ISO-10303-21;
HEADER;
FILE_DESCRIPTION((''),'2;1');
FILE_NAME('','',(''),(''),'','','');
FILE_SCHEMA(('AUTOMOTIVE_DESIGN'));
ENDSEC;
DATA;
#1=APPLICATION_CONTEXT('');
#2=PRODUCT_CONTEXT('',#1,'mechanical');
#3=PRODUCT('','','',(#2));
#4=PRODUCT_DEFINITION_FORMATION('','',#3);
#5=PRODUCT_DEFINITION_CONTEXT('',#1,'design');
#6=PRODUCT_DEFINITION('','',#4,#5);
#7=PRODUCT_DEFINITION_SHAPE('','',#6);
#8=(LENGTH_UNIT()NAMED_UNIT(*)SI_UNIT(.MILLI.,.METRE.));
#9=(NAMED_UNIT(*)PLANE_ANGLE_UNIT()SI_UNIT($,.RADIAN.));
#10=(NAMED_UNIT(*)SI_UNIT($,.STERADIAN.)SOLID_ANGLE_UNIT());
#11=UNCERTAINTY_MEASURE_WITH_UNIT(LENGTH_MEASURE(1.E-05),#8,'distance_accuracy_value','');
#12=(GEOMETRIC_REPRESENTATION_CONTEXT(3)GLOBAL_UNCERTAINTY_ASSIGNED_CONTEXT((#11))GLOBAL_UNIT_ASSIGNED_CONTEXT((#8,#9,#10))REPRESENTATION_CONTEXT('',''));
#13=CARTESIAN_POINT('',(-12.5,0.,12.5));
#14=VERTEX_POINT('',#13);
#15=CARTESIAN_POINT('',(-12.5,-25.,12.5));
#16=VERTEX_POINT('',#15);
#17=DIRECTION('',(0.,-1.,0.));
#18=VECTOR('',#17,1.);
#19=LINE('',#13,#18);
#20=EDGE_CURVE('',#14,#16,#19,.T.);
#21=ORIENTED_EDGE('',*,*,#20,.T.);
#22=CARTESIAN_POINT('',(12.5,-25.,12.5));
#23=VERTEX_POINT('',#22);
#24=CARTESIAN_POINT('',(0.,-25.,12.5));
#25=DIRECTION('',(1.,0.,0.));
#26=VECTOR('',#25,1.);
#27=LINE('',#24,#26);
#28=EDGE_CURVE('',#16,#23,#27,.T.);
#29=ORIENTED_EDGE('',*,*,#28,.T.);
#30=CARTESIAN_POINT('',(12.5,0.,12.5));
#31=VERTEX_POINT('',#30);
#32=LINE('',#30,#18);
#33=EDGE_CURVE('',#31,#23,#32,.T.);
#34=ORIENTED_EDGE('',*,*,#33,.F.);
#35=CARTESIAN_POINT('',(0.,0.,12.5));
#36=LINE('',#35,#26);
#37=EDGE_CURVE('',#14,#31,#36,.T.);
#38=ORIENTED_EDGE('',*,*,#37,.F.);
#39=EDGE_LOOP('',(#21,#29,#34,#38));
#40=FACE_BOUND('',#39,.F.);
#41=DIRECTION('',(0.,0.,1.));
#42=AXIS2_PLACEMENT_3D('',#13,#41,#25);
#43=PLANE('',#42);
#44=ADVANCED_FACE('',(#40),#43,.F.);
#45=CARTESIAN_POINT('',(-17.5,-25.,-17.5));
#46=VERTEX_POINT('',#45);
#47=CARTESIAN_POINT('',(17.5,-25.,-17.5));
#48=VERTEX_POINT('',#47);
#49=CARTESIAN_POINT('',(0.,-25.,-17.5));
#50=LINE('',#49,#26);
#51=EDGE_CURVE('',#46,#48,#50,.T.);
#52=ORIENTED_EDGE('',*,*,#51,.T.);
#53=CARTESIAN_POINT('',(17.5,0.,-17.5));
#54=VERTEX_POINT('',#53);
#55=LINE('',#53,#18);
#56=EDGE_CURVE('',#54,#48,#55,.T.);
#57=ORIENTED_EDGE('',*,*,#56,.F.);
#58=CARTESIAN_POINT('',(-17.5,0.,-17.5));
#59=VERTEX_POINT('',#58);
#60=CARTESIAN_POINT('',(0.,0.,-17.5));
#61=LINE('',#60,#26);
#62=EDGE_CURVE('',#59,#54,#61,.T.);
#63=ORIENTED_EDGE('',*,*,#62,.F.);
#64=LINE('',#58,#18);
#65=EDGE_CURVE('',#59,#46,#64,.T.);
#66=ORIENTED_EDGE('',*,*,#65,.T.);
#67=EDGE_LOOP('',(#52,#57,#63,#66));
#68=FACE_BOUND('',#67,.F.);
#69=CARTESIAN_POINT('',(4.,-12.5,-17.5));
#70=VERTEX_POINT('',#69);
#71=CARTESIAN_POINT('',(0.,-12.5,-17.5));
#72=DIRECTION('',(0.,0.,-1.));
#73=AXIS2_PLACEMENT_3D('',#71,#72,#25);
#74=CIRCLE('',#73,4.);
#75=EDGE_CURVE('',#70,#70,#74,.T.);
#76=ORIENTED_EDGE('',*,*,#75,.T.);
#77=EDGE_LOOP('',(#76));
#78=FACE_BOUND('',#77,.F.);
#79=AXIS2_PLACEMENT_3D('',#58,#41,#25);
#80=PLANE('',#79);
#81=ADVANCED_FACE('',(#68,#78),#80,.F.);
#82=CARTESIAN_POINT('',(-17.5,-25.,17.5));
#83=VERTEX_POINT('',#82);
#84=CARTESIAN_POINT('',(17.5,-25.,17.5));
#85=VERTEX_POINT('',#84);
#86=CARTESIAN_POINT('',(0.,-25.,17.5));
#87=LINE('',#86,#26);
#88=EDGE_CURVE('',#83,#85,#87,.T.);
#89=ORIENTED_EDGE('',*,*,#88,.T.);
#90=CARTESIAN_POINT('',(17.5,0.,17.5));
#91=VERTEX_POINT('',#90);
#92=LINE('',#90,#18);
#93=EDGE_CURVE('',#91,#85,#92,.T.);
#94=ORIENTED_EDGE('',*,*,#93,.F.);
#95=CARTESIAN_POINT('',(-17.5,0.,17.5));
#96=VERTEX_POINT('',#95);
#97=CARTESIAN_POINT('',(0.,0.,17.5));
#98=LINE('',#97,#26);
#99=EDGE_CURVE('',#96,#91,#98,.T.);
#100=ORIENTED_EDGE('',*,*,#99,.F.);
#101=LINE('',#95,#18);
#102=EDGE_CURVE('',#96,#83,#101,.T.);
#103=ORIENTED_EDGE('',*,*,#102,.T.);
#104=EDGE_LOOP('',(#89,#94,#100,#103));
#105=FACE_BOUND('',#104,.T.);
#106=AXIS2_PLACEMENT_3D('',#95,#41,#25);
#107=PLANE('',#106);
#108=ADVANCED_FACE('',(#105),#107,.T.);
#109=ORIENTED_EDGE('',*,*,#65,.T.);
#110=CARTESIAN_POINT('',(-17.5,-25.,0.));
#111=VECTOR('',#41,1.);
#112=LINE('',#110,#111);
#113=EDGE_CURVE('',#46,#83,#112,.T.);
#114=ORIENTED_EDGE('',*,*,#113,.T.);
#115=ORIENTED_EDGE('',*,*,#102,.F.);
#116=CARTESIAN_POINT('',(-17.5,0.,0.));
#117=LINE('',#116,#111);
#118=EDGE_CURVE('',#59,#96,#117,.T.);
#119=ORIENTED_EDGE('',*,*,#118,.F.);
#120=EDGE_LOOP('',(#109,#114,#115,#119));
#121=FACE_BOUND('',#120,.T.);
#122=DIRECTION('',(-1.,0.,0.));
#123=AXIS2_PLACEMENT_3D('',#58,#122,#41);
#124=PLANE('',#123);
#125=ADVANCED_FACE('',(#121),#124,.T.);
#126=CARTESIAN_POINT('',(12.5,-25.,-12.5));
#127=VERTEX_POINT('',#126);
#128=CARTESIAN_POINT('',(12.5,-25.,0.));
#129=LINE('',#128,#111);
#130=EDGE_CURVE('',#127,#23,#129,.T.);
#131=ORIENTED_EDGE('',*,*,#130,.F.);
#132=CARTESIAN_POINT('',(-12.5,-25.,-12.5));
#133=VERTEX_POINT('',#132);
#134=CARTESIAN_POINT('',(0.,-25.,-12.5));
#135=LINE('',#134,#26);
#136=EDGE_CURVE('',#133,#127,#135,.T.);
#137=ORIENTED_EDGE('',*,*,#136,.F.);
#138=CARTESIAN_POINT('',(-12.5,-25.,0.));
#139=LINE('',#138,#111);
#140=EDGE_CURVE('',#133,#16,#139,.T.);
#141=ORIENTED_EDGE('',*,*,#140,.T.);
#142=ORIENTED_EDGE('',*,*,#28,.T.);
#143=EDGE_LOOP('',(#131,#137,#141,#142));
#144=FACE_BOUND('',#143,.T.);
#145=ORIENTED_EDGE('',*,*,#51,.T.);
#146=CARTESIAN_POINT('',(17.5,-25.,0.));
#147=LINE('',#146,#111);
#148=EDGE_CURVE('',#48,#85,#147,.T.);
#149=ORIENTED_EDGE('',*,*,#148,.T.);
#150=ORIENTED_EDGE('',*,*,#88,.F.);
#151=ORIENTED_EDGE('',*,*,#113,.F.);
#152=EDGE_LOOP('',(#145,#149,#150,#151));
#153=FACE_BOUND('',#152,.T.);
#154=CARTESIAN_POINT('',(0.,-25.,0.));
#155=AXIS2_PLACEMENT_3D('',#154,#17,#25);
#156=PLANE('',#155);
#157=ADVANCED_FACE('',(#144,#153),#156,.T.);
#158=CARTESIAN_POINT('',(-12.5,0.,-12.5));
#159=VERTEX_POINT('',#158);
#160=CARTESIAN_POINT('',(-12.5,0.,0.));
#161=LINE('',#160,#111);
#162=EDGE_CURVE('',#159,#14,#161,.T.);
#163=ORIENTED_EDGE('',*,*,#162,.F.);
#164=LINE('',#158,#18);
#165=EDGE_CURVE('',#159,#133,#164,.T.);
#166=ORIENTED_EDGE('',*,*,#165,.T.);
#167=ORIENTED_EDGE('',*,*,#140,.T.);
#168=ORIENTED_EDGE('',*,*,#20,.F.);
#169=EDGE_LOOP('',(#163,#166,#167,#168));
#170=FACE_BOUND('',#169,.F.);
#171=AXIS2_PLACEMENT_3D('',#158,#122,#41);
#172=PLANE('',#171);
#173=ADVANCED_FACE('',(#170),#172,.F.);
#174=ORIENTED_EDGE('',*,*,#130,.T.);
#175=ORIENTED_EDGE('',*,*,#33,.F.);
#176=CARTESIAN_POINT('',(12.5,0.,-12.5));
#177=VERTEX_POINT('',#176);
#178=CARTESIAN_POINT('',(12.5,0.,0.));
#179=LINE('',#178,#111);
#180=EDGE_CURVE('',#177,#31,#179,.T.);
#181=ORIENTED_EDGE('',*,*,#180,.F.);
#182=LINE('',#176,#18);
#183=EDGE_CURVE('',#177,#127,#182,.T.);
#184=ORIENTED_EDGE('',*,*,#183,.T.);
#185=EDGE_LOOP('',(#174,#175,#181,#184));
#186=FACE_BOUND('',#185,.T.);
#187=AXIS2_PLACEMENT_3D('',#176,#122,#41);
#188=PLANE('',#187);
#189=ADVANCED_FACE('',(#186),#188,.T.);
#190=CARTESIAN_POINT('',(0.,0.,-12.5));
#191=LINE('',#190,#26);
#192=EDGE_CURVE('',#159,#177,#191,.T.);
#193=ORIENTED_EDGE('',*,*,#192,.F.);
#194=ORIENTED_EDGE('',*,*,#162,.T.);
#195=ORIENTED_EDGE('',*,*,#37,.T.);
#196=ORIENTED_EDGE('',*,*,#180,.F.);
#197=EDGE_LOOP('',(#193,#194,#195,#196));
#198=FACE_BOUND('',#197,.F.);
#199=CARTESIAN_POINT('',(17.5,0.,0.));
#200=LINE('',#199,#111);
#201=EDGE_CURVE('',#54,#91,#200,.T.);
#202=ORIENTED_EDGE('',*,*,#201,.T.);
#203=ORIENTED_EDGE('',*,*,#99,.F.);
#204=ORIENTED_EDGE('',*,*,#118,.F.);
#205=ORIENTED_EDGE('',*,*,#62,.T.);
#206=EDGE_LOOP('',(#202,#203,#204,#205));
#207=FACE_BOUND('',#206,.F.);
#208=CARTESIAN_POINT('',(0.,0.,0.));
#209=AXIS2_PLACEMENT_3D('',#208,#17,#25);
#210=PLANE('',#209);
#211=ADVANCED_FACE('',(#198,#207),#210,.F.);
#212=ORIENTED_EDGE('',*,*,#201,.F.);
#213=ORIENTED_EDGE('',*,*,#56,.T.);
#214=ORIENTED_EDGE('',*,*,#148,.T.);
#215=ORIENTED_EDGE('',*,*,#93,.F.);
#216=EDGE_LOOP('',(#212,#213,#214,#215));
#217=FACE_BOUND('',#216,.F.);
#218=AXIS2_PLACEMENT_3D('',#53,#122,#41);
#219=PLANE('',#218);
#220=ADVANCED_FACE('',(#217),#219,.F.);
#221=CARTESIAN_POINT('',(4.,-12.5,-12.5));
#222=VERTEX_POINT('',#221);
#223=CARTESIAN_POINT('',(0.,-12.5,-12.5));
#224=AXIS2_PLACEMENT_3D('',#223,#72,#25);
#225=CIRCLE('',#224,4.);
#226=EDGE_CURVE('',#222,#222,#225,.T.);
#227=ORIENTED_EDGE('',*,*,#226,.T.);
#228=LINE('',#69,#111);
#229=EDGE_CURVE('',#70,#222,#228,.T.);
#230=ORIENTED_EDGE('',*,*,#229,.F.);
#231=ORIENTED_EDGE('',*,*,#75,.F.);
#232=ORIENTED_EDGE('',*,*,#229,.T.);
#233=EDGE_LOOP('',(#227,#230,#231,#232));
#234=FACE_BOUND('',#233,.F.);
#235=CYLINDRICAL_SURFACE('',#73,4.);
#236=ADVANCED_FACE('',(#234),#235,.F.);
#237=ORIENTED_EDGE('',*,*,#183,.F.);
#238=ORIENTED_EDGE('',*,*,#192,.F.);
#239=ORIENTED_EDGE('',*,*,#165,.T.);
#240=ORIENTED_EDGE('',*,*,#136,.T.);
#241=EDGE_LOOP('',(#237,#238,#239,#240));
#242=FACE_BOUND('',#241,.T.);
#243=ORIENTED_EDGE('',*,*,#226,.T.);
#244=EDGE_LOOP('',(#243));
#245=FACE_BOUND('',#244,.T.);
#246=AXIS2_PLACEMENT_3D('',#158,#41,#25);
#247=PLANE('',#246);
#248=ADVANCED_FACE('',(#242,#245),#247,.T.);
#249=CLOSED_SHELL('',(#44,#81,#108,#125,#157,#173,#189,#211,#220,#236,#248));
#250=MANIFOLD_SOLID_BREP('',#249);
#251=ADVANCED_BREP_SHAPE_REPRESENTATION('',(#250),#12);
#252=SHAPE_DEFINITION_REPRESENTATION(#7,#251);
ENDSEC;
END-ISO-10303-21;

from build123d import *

# Parameters (mm, degrees)
F0_W     = 35
F0_H     = 35
F0_W_2   = 25
F0_H_2   = 25
F1_DEPTH = 25
F2_R     = 4
F3_DEPTH = 25


with BuildPart() as f1:
    # F0 (on Front) → F1 (new body)
    with BuildSketch(Plane.XZ):
        Rectangle(F0_W, F0_H)
        Rectangle(F0_W_2, F0_H_2, mode=Mode.SUBTRACT)
    extrude(amount=F1_DEPTH)

    # F2 (on face) → F3 (cut)
    with BuildSketch(Plane(origin=(0, 0, -17.5), x_dir=(1, 0, 0), z_dir=(0, 0, -1))):
        with Locations((0, 12.5)):
            Circle(F2_R)
    extrude(amount=-F3_DEPTH, mode=Mode.SUBTRACT)


solid = f1.part
